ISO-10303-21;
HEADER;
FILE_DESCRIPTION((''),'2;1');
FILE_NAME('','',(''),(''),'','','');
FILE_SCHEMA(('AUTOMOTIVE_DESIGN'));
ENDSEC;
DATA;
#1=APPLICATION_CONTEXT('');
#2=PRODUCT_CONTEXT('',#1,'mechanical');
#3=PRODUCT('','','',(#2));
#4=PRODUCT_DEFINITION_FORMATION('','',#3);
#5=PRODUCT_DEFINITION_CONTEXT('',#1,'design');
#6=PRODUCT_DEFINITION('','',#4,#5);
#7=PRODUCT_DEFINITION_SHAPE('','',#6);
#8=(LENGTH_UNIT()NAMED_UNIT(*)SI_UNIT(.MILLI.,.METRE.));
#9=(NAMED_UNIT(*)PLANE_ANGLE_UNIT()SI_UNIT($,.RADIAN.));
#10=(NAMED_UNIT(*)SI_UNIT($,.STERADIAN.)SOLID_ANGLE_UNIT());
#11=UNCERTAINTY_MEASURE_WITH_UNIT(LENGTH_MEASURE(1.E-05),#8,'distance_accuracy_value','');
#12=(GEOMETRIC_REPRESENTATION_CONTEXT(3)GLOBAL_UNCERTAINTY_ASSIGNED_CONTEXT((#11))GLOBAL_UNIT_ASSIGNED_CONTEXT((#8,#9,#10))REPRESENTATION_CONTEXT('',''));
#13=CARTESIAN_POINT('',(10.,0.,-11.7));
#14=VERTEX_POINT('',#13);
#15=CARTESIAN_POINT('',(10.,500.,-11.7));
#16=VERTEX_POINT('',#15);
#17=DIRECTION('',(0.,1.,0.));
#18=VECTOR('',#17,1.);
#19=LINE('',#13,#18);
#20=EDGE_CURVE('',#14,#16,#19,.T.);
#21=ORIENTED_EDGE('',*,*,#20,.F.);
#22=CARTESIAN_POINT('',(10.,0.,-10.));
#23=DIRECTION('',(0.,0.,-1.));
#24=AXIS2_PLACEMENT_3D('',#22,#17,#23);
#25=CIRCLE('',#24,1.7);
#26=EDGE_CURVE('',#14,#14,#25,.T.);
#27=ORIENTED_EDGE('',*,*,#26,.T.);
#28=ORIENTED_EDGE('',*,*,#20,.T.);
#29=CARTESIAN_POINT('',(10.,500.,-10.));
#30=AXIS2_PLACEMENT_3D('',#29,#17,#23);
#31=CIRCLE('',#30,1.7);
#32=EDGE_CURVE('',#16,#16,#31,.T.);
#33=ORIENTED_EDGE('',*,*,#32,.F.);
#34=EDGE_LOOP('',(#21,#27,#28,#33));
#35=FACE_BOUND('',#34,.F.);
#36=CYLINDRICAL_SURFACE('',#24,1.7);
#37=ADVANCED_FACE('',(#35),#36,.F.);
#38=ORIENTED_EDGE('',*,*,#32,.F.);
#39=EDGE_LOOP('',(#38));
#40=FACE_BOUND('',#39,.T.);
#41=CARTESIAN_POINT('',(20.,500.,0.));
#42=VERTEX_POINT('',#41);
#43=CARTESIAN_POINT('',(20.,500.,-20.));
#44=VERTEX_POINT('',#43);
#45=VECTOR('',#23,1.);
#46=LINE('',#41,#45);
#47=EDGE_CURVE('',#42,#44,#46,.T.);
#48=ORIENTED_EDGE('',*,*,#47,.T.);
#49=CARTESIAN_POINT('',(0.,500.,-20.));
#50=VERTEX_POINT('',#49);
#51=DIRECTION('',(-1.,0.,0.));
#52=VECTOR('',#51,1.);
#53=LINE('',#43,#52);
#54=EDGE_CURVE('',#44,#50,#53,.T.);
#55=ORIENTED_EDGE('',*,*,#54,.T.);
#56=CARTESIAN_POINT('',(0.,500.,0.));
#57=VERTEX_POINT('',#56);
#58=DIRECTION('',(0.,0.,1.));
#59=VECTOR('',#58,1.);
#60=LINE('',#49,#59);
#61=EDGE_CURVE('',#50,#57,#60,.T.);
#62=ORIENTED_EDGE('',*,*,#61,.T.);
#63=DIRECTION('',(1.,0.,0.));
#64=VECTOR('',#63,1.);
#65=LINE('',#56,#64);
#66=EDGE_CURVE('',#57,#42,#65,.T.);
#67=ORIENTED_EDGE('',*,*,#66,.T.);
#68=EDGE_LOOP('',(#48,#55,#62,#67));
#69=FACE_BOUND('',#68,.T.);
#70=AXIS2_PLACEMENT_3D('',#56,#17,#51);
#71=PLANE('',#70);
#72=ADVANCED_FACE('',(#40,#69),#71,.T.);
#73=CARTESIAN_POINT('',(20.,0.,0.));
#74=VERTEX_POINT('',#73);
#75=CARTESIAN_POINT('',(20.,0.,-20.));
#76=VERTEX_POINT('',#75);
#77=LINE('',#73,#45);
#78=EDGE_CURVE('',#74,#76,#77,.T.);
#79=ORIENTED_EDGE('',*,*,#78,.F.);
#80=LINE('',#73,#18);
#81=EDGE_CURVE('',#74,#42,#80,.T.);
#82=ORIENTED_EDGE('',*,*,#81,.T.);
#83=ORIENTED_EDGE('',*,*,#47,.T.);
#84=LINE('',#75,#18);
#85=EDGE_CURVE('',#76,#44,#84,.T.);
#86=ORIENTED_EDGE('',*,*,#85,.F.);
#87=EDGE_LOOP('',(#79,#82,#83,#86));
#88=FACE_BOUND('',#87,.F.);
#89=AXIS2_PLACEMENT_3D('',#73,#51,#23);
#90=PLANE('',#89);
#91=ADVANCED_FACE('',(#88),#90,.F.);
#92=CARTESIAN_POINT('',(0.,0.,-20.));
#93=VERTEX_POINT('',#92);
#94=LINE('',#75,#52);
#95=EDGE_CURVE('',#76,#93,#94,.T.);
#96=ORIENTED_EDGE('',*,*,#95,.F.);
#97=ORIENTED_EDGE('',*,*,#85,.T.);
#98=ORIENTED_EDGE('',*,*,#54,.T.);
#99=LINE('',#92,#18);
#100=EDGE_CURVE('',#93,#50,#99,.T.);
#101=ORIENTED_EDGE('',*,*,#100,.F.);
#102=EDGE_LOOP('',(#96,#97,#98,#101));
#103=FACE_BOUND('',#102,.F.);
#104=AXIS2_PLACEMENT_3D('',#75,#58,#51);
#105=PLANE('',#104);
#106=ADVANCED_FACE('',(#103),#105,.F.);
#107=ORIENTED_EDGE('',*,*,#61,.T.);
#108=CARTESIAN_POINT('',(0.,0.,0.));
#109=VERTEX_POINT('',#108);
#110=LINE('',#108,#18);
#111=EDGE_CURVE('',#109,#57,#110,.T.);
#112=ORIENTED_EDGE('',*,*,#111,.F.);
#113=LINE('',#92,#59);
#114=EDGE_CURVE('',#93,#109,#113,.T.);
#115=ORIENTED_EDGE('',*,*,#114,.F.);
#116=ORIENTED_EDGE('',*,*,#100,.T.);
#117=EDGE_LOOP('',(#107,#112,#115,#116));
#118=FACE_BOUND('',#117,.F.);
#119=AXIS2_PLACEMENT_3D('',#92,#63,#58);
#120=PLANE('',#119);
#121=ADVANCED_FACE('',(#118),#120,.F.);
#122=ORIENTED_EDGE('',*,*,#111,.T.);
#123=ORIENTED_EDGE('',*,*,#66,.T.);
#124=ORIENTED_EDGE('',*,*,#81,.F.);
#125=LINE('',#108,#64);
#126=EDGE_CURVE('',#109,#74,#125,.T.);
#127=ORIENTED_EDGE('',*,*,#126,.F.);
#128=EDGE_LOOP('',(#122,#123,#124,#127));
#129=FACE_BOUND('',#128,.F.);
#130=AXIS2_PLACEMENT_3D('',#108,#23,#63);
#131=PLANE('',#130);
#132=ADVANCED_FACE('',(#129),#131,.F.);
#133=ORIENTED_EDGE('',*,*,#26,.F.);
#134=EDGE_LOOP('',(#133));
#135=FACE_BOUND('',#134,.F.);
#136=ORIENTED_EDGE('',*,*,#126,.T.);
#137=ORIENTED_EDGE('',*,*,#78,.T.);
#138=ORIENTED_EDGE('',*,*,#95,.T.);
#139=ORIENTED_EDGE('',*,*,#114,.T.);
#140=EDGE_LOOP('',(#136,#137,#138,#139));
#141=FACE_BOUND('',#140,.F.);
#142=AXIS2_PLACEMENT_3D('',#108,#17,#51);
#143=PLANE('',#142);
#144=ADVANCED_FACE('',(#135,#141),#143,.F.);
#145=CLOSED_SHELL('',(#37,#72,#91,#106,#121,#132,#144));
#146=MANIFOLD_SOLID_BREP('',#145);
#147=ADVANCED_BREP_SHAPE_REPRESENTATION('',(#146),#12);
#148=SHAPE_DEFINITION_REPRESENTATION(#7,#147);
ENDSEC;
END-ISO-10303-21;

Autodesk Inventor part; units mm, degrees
ref_plane "YZ Plane" through (0, 0, 0) normal (1, 0, 0) x (0, 1, 0)
ref_plane "XZ Plane" through (0, 0, 0) normal (0, 1, 0) x (-1, 0, 0)
ref_plane "XY Plane" through (0, 0, 0) normal (0, 0, 1) x (1, 0, 0)
sketch "Sketch1" plane through (0, 0, 0) normal (0, 1, 0) x (-1, 0, 0)
  line L0 (0, 0) -> (-20, 0)
  line L1 (-20, 0) -> (-20, -20)
  line L2 (-20, -20) -> (0, -20)
  line L3 (0, -20) -> (0, 0)
  dimension "d0" = 20
  dimension "d1" = 20
extrude "Extrusion1" add sketch "Sketch1" along normal blind 500
sketch "Sketch2" plane through (0, 0, 0) normal (0, -1, 0) x (1, 0, 0)
  line L0 (0, 0) -> (20, 0) projected
  line L1 (20, 0) -> (20, -20) projected
  point P0 (10, -10)
  point P1 (10, 0)
  point P2 (20, -10)
hole "Hole1" at (10, 0, -10) direction (0, 1, 0) diameter 3.4 end through all clearance for "Countersunk Flat Head Screw DIN EN ISO 2009" size "M3" standard "DIN"
equation "\"d0\" = extrusion_dim"
equation "\"d1\" = extrusion_dim"
equation "\"d2\" = tower_height"
equation "\"base_thickness\" = 12.7"
equation "\"tower_height\" = 500"
equation "\"extrusion_dim\" = 20"
equation "\"top_sheet_thickness\" = 6.35"
properties part number "Tower" material "Aluminum 6061"
